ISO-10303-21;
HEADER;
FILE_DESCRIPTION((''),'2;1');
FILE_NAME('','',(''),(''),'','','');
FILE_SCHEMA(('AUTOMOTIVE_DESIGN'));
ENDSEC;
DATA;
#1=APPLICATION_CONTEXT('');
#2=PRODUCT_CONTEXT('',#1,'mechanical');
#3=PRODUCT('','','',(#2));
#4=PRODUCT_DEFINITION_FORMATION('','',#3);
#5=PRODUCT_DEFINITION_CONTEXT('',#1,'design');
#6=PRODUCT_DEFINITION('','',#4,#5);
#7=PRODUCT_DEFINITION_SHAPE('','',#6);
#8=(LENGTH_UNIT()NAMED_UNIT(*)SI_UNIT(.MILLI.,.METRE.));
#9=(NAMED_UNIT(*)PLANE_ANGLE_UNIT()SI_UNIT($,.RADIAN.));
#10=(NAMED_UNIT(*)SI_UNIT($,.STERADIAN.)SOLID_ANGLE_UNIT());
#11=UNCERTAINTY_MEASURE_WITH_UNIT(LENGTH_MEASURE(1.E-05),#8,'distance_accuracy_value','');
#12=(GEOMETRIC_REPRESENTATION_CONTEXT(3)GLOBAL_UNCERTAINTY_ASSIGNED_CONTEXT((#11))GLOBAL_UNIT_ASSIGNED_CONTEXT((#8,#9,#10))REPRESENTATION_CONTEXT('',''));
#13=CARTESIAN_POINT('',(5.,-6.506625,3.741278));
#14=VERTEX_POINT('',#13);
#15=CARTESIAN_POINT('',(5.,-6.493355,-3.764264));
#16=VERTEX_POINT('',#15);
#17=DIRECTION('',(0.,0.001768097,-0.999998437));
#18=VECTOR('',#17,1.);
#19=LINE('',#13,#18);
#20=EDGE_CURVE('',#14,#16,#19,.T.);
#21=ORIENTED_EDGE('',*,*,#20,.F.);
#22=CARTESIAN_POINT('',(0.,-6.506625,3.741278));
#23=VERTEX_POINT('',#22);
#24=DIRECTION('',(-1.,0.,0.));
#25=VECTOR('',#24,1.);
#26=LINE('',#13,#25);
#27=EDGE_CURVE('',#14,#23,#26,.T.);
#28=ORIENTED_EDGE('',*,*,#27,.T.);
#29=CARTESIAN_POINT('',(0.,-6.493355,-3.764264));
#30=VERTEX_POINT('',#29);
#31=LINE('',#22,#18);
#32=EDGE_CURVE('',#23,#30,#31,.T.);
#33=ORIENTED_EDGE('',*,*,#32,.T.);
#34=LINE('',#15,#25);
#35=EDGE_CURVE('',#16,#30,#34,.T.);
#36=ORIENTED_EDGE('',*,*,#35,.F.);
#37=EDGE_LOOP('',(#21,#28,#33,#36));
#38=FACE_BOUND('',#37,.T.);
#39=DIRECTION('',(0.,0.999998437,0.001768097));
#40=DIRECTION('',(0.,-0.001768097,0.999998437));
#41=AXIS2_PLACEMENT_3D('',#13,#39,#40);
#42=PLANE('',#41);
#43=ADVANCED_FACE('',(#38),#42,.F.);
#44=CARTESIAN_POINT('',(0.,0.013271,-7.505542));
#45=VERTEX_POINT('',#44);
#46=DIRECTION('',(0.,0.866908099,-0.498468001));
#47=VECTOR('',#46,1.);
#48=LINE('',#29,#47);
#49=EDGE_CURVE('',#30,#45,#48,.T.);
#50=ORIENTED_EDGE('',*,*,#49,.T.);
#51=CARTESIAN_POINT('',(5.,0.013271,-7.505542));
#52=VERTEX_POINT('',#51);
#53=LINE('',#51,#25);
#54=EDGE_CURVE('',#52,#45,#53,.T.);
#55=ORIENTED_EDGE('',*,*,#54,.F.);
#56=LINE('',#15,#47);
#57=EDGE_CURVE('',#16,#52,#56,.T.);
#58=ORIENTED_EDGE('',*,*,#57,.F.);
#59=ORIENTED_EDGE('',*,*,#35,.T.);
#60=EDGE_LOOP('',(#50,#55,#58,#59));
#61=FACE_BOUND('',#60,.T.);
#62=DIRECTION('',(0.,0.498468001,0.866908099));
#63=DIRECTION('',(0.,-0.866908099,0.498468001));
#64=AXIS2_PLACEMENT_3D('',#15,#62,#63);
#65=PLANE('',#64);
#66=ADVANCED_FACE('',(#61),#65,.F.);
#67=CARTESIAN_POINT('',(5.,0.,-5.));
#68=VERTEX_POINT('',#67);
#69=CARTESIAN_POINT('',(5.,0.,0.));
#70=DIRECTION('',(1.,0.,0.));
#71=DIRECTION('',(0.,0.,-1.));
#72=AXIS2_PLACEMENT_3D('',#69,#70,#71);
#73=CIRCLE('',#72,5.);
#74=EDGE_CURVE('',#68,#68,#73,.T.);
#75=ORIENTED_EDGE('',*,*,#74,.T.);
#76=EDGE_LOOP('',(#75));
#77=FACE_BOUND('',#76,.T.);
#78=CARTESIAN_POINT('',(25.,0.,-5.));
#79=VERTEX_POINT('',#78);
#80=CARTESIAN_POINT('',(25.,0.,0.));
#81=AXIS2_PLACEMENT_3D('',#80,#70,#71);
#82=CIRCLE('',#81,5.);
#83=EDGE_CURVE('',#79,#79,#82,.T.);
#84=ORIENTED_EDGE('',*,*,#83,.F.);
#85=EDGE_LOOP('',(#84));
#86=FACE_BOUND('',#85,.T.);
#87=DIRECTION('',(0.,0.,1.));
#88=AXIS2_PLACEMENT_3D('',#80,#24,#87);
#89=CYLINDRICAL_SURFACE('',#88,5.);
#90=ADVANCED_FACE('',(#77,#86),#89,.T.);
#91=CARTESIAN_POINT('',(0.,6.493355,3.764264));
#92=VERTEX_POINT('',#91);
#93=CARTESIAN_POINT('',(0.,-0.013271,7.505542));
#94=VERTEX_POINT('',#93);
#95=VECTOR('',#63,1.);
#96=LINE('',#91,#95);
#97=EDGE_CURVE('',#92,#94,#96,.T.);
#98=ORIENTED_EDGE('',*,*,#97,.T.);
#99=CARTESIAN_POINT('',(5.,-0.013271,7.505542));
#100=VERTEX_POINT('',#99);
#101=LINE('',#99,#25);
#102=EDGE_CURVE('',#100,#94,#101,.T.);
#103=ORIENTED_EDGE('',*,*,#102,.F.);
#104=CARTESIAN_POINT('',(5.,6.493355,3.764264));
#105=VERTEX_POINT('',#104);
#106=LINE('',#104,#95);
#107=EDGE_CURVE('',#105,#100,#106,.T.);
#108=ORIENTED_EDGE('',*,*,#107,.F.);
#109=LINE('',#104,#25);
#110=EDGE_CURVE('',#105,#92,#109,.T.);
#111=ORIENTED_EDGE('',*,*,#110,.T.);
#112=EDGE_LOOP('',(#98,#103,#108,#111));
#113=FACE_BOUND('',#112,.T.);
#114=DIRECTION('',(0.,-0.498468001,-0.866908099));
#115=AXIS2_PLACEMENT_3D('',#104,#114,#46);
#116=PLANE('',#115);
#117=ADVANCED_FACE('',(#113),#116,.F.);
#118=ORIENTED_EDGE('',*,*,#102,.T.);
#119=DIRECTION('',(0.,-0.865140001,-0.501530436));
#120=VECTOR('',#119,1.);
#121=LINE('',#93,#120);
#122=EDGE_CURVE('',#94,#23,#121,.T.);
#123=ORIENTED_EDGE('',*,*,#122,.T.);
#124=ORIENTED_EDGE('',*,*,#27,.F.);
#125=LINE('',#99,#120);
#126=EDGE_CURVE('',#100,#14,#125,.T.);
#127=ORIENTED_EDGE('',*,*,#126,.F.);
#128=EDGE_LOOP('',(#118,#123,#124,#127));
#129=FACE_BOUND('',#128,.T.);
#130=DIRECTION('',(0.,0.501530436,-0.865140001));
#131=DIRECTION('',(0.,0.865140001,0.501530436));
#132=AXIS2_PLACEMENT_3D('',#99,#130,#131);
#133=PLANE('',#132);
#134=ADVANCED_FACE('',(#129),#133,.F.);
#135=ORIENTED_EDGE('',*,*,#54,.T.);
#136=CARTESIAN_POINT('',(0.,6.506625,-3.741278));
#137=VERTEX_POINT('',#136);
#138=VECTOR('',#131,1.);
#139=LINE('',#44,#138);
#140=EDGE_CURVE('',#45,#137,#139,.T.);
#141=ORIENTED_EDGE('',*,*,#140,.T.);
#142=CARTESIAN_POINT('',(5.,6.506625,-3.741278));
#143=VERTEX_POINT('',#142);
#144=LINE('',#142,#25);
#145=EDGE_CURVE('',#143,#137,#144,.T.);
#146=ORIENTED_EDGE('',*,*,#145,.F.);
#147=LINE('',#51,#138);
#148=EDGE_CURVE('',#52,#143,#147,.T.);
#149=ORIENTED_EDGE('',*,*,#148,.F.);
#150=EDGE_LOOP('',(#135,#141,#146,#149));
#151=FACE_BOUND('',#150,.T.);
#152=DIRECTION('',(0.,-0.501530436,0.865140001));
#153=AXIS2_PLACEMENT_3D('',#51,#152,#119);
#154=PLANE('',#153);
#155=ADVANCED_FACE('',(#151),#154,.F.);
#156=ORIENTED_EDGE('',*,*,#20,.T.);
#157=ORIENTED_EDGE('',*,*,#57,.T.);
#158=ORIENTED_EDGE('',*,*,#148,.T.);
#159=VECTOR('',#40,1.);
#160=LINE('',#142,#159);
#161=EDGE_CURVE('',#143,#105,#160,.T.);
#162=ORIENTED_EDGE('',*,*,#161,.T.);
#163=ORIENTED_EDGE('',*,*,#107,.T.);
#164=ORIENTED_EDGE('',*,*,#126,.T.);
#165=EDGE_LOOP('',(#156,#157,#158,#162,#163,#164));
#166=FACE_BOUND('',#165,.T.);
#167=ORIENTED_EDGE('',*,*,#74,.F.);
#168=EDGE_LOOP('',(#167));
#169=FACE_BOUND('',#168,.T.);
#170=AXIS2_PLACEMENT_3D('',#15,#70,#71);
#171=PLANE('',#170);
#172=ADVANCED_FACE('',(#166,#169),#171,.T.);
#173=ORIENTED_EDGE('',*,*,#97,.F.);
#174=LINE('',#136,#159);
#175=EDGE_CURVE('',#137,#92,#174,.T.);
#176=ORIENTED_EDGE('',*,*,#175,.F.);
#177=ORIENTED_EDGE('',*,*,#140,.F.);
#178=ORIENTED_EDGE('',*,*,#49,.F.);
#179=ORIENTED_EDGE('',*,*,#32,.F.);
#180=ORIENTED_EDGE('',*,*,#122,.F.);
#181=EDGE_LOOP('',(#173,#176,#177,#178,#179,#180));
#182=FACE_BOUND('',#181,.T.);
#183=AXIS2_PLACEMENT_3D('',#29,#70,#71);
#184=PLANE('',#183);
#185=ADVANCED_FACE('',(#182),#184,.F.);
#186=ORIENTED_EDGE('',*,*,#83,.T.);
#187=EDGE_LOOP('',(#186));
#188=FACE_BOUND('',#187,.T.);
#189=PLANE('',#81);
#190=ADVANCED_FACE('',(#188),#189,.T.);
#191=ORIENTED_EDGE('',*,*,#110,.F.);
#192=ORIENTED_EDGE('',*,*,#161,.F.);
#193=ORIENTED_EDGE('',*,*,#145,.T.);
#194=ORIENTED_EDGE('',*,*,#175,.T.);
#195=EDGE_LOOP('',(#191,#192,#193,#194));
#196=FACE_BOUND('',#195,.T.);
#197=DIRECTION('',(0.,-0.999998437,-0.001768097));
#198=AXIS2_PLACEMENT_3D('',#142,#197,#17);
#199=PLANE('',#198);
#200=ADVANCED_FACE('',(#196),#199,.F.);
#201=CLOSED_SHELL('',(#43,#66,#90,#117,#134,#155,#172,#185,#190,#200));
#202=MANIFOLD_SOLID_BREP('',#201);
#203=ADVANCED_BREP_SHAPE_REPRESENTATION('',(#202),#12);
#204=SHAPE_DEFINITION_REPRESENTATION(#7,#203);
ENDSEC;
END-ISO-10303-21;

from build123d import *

# Parameters (mm, degrees)
EXTRUDE_1_DEPTH = 5
SKETCH_2_R      = 5
EXTRUDE_2_DEPTH = 20


with BuildPart() as part:
    # 草图1 → 凸台-拉伸1 (new body)
    with BuildSketch(Plane(origin=(0, 0, 0), x_dir=(0, 0, -1), z_dir=(1, 0, 0))):
        Polygon((3.764263516, -6.493354566), (7.505541768, 0.013270549), (3.741278251, 6.506625114), (-3.764263516, 6.493354566), (-7.505541768, -0.013270549), (-3.741278251, -6.506625114), align=None)
    extrude(amount=EXTRUDE_1_DEPTH)

    # 草图2 → 凸台-拉伸2 (add)
    with BuildSketch(Plane(origin=(5, 0, 0), x_dir=(0, 0, -1), z_dir=(1, 0, 0))):
        Circle(SKETCH_2_R)
    extrude(amount=EXTRUDE_2_DEPTH)


solid = part.part
